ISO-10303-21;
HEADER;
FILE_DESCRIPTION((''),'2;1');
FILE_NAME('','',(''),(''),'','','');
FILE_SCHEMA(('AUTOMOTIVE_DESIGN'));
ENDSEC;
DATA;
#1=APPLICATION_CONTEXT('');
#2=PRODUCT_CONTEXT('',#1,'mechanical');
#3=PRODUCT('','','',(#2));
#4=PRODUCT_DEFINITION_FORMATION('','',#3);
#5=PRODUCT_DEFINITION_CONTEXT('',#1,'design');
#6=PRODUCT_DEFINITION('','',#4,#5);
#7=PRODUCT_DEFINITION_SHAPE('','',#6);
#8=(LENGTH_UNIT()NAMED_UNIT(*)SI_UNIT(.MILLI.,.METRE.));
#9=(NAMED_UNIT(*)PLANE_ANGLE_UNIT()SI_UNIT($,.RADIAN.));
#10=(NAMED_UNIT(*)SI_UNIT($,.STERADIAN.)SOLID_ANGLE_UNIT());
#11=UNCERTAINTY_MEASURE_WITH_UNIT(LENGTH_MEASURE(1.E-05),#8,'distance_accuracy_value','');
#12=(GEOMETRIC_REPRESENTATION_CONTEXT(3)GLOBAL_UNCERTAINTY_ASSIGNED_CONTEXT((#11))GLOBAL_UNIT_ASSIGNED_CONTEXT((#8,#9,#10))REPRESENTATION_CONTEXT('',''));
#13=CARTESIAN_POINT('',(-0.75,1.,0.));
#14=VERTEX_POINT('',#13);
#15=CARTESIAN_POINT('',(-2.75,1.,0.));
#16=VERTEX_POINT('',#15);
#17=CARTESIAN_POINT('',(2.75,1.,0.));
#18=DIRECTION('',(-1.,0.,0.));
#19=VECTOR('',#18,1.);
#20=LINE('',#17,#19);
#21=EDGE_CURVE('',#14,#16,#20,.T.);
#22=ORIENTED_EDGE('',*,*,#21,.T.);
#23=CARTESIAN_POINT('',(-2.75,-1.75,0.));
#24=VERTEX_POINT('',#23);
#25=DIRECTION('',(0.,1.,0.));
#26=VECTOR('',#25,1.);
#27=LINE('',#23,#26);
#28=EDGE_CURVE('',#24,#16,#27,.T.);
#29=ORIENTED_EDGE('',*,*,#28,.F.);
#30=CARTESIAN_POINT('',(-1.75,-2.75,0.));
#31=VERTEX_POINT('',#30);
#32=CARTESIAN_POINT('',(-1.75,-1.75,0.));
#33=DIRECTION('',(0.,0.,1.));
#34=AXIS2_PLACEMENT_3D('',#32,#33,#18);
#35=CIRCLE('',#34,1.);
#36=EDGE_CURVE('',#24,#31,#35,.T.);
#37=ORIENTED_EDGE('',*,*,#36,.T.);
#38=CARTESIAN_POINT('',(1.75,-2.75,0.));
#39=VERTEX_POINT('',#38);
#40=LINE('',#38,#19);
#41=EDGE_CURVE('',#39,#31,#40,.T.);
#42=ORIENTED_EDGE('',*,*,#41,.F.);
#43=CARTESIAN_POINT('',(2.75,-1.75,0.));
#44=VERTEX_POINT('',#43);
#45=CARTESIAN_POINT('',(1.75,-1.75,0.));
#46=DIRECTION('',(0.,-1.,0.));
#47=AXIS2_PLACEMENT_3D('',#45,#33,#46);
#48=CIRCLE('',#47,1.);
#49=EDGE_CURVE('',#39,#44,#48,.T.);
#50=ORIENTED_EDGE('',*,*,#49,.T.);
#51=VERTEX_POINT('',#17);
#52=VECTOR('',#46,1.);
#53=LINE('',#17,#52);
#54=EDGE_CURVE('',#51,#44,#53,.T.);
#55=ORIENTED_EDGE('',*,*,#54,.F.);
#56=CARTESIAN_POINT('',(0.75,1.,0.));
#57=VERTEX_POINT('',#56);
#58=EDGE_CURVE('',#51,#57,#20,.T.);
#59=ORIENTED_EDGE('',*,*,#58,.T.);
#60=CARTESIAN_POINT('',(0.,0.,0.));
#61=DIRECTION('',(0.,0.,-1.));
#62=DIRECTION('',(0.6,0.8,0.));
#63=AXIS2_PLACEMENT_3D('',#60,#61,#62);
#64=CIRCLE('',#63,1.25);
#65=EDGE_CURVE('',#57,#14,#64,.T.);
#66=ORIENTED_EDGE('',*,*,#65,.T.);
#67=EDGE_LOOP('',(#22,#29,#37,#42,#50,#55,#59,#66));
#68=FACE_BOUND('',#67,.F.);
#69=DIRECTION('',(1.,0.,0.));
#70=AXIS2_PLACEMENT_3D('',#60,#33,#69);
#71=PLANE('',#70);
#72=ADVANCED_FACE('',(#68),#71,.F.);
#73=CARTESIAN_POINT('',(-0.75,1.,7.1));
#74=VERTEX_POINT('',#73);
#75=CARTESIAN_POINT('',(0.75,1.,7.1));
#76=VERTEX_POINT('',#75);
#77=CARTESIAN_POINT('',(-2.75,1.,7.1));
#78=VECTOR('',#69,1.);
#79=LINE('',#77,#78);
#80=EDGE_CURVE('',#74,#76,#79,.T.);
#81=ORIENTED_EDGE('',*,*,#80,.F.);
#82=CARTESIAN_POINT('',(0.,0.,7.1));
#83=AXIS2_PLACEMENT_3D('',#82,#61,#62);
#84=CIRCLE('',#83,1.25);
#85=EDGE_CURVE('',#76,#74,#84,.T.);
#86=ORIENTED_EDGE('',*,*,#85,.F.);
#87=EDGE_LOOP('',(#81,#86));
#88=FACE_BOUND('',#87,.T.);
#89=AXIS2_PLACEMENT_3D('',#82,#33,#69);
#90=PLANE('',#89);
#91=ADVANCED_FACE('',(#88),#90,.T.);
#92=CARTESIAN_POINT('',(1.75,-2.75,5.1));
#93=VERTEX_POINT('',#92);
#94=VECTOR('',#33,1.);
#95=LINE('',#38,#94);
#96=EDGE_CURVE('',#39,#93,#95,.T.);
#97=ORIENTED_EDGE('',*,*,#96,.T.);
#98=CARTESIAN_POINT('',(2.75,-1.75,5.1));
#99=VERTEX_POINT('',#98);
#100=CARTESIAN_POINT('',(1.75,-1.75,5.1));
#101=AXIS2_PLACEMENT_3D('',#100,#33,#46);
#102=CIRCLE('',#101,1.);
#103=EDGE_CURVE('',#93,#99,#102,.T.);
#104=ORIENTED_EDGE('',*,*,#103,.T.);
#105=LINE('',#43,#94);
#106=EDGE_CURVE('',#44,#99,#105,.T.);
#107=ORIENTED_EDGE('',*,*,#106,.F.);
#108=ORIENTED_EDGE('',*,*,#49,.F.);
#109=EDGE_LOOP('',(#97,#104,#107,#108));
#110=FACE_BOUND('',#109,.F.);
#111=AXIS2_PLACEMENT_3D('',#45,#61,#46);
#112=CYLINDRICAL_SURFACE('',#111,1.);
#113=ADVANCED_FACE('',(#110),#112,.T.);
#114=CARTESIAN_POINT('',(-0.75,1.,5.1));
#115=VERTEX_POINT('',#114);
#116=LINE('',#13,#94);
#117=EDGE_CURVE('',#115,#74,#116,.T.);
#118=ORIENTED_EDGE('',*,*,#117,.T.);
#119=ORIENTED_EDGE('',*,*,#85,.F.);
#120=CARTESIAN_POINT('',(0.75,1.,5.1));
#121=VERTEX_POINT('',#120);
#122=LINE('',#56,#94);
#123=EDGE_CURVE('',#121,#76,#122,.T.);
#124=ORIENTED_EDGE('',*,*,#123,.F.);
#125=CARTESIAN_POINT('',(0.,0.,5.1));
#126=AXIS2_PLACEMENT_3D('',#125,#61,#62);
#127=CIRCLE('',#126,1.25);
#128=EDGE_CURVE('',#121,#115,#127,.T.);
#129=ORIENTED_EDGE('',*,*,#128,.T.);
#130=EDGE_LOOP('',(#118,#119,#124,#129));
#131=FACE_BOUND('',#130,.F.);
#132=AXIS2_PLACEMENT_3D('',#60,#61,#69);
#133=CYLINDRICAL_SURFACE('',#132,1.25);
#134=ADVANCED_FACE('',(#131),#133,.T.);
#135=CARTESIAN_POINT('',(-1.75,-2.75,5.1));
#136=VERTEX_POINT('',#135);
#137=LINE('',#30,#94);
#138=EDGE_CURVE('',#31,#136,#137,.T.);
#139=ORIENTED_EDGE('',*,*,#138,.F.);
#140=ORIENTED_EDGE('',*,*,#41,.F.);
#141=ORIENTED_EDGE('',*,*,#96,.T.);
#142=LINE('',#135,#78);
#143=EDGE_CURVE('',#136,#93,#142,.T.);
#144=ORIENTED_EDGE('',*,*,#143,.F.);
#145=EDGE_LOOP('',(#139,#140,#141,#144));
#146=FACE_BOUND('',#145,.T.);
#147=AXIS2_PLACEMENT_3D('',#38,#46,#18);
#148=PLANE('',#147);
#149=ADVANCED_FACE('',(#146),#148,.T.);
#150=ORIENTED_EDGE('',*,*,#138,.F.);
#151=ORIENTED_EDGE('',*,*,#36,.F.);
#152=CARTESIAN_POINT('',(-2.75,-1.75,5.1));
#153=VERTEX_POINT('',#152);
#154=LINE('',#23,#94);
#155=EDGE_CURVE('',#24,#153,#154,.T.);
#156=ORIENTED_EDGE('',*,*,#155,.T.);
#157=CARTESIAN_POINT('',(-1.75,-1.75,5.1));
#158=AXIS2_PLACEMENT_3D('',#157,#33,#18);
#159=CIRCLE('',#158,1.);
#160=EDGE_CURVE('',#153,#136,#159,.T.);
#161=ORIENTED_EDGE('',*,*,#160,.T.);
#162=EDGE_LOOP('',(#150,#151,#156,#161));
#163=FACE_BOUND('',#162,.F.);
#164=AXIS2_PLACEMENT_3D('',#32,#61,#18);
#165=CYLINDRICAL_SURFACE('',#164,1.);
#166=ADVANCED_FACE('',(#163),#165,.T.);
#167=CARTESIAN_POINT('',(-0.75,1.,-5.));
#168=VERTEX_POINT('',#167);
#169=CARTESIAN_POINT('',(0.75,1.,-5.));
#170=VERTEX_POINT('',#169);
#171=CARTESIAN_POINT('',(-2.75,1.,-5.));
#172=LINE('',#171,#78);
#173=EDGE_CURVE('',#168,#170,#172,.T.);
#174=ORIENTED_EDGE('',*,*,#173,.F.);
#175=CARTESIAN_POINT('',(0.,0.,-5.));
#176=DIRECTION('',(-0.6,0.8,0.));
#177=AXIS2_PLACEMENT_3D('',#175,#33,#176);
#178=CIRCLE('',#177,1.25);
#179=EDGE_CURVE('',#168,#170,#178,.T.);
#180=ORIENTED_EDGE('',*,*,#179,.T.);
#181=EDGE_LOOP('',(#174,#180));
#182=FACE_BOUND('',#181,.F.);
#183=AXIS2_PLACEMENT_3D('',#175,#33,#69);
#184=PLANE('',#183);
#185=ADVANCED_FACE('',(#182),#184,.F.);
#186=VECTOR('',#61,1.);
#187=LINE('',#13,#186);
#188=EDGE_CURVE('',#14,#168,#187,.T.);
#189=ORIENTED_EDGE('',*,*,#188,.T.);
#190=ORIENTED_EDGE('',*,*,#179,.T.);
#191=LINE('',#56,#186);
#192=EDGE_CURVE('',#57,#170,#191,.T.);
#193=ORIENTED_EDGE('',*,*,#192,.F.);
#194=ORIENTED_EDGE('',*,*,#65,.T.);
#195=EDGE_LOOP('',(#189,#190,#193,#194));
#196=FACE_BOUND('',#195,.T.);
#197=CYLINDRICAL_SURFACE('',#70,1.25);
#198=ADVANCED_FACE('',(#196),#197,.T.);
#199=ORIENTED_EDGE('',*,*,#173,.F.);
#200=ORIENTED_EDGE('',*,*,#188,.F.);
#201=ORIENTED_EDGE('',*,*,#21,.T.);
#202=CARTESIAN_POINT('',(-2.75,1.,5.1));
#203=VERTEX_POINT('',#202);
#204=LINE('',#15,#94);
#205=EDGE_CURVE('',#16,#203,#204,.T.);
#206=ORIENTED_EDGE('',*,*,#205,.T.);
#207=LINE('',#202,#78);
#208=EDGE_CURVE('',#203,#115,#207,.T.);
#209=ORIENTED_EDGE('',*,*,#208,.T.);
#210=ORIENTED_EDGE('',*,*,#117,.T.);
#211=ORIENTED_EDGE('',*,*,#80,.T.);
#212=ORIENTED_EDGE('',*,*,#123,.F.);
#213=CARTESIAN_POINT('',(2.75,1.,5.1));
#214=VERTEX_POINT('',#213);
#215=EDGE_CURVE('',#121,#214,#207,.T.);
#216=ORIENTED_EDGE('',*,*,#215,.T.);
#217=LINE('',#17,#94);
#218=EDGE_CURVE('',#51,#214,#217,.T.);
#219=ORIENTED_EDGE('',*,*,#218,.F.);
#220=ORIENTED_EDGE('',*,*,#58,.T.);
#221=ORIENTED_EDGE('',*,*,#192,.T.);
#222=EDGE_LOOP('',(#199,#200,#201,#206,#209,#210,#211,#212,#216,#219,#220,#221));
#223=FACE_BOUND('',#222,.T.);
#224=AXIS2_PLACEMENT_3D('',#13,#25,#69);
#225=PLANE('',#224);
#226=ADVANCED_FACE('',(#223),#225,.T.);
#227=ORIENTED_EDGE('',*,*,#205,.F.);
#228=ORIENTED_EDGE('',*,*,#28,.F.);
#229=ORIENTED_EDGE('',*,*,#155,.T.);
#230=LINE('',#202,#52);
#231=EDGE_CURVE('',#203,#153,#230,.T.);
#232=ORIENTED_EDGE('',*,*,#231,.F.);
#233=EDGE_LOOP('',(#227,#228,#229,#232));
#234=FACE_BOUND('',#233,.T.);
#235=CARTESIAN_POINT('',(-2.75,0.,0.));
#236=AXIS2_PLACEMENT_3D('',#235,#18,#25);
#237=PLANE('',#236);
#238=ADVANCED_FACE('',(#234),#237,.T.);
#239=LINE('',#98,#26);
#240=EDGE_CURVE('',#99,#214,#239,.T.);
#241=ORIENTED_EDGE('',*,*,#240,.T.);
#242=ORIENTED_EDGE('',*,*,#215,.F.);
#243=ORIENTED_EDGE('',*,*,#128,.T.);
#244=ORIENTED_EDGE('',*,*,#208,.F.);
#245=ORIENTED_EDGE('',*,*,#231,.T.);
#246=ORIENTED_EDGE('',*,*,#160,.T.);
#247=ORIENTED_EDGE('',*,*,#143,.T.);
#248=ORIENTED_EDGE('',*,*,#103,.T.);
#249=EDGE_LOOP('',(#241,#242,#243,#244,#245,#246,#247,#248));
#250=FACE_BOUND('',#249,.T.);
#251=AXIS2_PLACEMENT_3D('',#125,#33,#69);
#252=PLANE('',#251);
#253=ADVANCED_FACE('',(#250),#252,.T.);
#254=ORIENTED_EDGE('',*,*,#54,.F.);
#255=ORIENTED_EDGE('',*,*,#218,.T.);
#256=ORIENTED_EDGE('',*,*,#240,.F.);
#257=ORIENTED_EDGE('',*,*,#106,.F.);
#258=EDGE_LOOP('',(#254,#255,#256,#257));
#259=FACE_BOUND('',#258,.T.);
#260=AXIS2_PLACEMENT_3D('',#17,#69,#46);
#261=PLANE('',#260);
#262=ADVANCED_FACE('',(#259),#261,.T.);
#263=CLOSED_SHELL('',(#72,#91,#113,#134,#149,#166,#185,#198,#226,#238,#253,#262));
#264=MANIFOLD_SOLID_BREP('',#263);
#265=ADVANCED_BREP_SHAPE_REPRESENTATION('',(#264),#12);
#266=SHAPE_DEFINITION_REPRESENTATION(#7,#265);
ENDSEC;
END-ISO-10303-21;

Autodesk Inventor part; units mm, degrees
ref_plane "YZ Plane" through (0, 0, 0) normal (1, 0, 0) x (0, 1, 0)
ref_plane "XZ Plane" through (0, 0, 0) normal (0, 1, 0) x (-1, 0, 0)
ref_plane "XY Plane" through (0, 0, 0) normal (0, 0, 1) x (1, 0, 0)
sketch "Sketch1" plane through (0, 0, 0) normal (0, 0, 1) x (1, 0, 0)
  circle A0 centre (0, 0) radius 1.25
  circle A1 centre (0, 0) radius 2.75
  line L0 (-1.75, 2.75) -> (1.75, 2.75)
  line L1 (2.75, 1.75) -> (2.75, -1.75)
  line L2 (1.75, -2.75) -> (-1.75, -2.75)
  line L3 (-2.75, -1.75) -> (-2.75, 1.75)
  arc A2 (-1.75, 2.75) -> (-2.75, 1.75) centre (-1.75, 1.75) ccw
  arc A3 (2.75, 1.75) -> (1.75, 2.75) centre (1.75, 1.75) ccw
  arc A4 (1.75, -2.75) -> (2.75, -1.75) centre (1.75, -1.75) ccw
  arc A5 (-2.75, -1.75) -> (-1.75, -2.75) centre (-1.75, -1.75) ccw
  line L4 (-2.75, 1) -> (2.75, 1)
  point P0 (-2.75, 0)
  point P1 (0, -2.75)
  point P2 (0.75, 1)
  point P3 (-0.75, 1)
  dimension "d0" = 2.5
  dimension "d1" = 5.5
  dimension "d2" = 1
  dimension "d3" = 1
  dimension "d4" = 1
  dimension "d11" = 1
extrude "Extrusion1" add sketch "Sketch1" against normal blind 5 contours A0 L4 picked at (0.7457, -0.3378)
extrude "Extrusion2" add sketch "Sketch1" along normal blind 5.1 contours A0 L4 | A0 L4 A1 | L4 L1 A1 | A1 L3 L4 | L1 A4 L2 A1 | A1 L2 A5 L3 picked at (0.7457, -0.3378) picked at (2.227, -0.204)
extrude "Extrusion3" add sketch "Sketch1" along normal blind 7.1 contours A0 L4 picked at (0.7457, -0.3378)
properties part number "rpi_base_front_3DPrint"
